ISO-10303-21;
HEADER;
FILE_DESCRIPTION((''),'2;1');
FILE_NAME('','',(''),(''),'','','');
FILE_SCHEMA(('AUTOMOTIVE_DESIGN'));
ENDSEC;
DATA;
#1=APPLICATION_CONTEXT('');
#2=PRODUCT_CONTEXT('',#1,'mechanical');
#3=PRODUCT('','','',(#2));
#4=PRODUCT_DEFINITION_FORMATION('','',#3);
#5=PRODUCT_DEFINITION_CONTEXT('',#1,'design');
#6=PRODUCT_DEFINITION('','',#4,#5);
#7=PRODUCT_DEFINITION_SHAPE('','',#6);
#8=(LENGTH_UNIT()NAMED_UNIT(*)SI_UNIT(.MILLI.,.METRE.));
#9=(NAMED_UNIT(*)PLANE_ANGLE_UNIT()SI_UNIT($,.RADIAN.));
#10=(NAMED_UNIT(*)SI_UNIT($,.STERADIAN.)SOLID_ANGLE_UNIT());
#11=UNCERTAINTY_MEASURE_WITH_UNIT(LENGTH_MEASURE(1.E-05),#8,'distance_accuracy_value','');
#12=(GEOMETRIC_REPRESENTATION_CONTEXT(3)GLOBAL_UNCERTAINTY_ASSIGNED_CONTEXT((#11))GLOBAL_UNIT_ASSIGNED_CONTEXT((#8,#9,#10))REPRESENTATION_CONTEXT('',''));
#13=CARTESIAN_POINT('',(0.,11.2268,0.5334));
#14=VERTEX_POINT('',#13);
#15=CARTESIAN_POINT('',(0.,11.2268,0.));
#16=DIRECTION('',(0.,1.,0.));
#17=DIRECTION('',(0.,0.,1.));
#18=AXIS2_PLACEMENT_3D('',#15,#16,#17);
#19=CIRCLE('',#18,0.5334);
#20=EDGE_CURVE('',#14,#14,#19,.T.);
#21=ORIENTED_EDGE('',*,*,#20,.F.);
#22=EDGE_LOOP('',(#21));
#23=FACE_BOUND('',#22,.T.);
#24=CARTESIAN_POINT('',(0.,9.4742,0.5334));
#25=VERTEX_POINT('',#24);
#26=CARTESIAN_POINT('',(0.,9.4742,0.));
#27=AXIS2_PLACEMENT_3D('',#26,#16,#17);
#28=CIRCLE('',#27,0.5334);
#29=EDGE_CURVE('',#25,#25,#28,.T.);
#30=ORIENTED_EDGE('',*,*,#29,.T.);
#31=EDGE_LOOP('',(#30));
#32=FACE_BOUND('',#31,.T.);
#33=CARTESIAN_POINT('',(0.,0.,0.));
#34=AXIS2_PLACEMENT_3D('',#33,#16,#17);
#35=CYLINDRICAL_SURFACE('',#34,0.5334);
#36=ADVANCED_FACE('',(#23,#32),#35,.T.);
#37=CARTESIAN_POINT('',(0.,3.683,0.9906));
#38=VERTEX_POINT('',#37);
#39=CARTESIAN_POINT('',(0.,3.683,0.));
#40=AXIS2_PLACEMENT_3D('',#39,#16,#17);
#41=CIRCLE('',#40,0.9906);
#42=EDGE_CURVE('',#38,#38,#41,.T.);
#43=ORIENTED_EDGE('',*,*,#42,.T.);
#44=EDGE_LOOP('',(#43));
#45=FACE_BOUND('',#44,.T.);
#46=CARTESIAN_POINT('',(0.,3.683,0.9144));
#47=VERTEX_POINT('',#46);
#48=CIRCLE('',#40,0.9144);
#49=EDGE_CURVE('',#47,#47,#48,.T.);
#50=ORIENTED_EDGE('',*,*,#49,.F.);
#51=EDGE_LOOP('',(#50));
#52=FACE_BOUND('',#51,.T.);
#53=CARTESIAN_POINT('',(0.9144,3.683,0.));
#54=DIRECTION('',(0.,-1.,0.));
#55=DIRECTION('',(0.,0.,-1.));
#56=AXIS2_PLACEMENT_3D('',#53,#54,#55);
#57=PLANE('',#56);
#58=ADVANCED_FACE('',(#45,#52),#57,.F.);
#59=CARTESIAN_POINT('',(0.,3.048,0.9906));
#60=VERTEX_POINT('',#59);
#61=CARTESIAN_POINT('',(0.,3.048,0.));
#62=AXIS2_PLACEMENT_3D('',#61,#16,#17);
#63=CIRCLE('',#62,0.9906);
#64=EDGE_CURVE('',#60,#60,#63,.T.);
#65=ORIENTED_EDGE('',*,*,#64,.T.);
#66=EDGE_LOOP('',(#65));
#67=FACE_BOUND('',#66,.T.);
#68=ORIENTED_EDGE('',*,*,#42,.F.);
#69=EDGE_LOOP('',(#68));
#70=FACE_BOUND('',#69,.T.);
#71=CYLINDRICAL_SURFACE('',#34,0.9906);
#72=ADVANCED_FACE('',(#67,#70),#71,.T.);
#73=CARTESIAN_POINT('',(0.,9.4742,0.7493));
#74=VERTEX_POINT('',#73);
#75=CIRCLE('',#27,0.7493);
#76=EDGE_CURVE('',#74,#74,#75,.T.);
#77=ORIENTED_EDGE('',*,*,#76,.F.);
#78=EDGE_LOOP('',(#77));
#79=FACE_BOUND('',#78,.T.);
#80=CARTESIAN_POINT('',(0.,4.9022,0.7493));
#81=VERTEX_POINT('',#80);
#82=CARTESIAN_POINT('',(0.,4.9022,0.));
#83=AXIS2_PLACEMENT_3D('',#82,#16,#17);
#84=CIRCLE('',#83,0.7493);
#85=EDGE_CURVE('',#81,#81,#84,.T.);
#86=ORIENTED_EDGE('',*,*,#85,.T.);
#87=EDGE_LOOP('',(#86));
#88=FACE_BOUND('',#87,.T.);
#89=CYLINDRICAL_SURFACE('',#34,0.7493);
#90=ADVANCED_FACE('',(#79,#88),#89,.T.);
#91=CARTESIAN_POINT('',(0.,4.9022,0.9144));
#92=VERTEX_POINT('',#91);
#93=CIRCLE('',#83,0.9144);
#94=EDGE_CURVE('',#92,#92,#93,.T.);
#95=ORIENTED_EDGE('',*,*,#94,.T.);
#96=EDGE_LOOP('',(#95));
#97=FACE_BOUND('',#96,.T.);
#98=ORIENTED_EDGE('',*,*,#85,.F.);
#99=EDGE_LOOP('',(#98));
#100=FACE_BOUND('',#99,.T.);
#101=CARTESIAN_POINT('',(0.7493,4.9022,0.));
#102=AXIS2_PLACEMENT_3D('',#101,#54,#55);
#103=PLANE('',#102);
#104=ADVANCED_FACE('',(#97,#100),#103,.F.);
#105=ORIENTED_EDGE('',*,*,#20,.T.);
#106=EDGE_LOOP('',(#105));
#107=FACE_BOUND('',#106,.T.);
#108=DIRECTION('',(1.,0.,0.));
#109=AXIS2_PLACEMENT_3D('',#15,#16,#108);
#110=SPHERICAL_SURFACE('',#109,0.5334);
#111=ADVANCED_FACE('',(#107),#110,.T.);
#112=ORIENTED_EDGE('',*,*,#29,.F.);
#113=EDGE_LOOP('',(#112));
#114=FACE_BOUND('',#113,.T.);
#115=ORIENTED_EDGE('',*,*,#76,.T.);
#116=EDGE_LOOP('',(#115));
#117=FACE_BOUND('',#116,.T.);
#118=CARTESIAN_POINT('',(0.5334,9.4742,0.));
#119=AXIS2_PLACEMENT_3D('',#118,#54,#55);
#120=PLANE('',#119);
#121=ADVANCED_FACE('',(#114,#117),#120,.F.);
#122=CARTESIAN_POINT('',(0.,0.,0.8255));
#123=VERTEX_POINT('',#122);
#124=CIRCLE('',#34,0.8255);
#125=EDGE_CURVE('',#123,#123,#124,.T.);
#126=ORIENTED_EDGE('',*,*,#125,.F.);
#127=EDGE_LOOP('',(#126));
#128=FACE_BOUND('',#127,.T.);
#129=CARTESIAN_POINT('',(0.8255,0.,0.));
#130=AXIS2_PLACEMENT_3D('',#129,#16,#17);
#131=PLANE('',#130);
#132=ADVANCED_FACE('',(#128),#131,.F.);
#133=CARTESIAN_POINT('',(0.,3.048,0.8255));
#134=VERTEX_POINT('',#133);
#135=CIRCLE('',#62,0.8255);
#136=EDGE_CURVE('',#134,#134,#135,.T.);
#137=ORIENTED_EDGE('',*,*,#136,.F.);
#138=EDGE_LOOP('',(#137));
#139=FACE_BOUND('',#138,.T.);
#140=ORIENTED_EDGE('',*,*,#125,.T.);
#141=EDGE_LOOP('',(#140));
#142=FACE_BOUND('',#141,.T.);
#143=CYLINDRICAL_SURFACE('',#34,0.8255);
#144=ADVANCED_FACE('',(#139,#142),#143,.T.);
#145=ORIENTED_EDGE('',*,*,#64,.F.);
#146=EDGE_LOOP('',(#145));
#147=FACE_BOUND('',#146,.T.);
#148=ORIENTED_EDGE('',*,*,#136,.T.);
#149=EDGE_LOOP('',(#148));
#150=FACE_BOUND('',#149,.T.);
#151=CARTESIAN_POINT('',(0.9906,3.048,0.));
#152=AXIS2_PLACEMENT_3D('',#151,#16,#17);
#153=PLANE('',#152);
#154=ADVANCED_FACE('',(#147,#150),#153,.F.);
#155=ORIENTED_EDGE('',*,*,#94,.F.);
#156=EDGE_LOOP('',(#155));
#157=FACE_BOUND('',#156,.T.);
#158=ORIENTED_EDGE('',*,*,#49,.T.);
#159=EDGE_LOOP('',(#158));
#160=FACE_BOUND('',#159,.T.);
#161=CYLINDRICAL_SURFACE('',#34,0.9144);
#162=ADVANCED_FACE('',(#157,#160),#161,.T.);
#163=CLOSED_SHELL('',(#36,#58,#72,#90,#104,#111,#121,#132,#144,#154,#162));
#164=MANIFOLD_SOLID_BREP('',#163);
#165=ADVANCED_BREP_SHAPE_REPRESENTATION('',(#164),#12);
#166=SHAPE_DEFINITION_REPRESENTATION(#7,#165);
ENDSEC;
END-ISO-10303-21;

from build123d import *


with BuildPart() as part:
    # Sketch2 → Revolve1 (revolve)
    with BuildSketch(Plane.XY, mode=Mode.PRIVATE) as revolve1_sk:
        with BuildLine():
            Line((0.5334, 11.2268), (0.5334, 9.4742))
            Line((0.5334, 9.4742), (0.7493, 9.4742))
            Line((0.7493, 9.4742), (0.7493, 4.9022))
            Line((0.7493, 4.9022), (0.9144, 4.9022))
            Line((0.9144, 4.9022), (0.9144, 3.683))
            Line((0.9144, 3.683), (0.9906, 3.683))
            Line((0.9906, 3.683), (0.9906, 3.048))
            Line((0.9906, 3.048), (0.8255, 3.048))
            Line((0.8255, 3.048), (0.8255, 0))
            Line((0.8255, 0), (0, 0))
            Line((0, 0), (0, 11.7602))
            ThreePointArc((0, 11.7602), (0.377170757, 11.603970757), (0.5334, 11.2268))
        make_face()
    revolve(revolve1_sk.sketch.rotate(Axis((0, 0, 0), (0, -1, 0)), 90), axis=Axis((0, 0, 0), (0, -1, 0)))


solid = part.part
